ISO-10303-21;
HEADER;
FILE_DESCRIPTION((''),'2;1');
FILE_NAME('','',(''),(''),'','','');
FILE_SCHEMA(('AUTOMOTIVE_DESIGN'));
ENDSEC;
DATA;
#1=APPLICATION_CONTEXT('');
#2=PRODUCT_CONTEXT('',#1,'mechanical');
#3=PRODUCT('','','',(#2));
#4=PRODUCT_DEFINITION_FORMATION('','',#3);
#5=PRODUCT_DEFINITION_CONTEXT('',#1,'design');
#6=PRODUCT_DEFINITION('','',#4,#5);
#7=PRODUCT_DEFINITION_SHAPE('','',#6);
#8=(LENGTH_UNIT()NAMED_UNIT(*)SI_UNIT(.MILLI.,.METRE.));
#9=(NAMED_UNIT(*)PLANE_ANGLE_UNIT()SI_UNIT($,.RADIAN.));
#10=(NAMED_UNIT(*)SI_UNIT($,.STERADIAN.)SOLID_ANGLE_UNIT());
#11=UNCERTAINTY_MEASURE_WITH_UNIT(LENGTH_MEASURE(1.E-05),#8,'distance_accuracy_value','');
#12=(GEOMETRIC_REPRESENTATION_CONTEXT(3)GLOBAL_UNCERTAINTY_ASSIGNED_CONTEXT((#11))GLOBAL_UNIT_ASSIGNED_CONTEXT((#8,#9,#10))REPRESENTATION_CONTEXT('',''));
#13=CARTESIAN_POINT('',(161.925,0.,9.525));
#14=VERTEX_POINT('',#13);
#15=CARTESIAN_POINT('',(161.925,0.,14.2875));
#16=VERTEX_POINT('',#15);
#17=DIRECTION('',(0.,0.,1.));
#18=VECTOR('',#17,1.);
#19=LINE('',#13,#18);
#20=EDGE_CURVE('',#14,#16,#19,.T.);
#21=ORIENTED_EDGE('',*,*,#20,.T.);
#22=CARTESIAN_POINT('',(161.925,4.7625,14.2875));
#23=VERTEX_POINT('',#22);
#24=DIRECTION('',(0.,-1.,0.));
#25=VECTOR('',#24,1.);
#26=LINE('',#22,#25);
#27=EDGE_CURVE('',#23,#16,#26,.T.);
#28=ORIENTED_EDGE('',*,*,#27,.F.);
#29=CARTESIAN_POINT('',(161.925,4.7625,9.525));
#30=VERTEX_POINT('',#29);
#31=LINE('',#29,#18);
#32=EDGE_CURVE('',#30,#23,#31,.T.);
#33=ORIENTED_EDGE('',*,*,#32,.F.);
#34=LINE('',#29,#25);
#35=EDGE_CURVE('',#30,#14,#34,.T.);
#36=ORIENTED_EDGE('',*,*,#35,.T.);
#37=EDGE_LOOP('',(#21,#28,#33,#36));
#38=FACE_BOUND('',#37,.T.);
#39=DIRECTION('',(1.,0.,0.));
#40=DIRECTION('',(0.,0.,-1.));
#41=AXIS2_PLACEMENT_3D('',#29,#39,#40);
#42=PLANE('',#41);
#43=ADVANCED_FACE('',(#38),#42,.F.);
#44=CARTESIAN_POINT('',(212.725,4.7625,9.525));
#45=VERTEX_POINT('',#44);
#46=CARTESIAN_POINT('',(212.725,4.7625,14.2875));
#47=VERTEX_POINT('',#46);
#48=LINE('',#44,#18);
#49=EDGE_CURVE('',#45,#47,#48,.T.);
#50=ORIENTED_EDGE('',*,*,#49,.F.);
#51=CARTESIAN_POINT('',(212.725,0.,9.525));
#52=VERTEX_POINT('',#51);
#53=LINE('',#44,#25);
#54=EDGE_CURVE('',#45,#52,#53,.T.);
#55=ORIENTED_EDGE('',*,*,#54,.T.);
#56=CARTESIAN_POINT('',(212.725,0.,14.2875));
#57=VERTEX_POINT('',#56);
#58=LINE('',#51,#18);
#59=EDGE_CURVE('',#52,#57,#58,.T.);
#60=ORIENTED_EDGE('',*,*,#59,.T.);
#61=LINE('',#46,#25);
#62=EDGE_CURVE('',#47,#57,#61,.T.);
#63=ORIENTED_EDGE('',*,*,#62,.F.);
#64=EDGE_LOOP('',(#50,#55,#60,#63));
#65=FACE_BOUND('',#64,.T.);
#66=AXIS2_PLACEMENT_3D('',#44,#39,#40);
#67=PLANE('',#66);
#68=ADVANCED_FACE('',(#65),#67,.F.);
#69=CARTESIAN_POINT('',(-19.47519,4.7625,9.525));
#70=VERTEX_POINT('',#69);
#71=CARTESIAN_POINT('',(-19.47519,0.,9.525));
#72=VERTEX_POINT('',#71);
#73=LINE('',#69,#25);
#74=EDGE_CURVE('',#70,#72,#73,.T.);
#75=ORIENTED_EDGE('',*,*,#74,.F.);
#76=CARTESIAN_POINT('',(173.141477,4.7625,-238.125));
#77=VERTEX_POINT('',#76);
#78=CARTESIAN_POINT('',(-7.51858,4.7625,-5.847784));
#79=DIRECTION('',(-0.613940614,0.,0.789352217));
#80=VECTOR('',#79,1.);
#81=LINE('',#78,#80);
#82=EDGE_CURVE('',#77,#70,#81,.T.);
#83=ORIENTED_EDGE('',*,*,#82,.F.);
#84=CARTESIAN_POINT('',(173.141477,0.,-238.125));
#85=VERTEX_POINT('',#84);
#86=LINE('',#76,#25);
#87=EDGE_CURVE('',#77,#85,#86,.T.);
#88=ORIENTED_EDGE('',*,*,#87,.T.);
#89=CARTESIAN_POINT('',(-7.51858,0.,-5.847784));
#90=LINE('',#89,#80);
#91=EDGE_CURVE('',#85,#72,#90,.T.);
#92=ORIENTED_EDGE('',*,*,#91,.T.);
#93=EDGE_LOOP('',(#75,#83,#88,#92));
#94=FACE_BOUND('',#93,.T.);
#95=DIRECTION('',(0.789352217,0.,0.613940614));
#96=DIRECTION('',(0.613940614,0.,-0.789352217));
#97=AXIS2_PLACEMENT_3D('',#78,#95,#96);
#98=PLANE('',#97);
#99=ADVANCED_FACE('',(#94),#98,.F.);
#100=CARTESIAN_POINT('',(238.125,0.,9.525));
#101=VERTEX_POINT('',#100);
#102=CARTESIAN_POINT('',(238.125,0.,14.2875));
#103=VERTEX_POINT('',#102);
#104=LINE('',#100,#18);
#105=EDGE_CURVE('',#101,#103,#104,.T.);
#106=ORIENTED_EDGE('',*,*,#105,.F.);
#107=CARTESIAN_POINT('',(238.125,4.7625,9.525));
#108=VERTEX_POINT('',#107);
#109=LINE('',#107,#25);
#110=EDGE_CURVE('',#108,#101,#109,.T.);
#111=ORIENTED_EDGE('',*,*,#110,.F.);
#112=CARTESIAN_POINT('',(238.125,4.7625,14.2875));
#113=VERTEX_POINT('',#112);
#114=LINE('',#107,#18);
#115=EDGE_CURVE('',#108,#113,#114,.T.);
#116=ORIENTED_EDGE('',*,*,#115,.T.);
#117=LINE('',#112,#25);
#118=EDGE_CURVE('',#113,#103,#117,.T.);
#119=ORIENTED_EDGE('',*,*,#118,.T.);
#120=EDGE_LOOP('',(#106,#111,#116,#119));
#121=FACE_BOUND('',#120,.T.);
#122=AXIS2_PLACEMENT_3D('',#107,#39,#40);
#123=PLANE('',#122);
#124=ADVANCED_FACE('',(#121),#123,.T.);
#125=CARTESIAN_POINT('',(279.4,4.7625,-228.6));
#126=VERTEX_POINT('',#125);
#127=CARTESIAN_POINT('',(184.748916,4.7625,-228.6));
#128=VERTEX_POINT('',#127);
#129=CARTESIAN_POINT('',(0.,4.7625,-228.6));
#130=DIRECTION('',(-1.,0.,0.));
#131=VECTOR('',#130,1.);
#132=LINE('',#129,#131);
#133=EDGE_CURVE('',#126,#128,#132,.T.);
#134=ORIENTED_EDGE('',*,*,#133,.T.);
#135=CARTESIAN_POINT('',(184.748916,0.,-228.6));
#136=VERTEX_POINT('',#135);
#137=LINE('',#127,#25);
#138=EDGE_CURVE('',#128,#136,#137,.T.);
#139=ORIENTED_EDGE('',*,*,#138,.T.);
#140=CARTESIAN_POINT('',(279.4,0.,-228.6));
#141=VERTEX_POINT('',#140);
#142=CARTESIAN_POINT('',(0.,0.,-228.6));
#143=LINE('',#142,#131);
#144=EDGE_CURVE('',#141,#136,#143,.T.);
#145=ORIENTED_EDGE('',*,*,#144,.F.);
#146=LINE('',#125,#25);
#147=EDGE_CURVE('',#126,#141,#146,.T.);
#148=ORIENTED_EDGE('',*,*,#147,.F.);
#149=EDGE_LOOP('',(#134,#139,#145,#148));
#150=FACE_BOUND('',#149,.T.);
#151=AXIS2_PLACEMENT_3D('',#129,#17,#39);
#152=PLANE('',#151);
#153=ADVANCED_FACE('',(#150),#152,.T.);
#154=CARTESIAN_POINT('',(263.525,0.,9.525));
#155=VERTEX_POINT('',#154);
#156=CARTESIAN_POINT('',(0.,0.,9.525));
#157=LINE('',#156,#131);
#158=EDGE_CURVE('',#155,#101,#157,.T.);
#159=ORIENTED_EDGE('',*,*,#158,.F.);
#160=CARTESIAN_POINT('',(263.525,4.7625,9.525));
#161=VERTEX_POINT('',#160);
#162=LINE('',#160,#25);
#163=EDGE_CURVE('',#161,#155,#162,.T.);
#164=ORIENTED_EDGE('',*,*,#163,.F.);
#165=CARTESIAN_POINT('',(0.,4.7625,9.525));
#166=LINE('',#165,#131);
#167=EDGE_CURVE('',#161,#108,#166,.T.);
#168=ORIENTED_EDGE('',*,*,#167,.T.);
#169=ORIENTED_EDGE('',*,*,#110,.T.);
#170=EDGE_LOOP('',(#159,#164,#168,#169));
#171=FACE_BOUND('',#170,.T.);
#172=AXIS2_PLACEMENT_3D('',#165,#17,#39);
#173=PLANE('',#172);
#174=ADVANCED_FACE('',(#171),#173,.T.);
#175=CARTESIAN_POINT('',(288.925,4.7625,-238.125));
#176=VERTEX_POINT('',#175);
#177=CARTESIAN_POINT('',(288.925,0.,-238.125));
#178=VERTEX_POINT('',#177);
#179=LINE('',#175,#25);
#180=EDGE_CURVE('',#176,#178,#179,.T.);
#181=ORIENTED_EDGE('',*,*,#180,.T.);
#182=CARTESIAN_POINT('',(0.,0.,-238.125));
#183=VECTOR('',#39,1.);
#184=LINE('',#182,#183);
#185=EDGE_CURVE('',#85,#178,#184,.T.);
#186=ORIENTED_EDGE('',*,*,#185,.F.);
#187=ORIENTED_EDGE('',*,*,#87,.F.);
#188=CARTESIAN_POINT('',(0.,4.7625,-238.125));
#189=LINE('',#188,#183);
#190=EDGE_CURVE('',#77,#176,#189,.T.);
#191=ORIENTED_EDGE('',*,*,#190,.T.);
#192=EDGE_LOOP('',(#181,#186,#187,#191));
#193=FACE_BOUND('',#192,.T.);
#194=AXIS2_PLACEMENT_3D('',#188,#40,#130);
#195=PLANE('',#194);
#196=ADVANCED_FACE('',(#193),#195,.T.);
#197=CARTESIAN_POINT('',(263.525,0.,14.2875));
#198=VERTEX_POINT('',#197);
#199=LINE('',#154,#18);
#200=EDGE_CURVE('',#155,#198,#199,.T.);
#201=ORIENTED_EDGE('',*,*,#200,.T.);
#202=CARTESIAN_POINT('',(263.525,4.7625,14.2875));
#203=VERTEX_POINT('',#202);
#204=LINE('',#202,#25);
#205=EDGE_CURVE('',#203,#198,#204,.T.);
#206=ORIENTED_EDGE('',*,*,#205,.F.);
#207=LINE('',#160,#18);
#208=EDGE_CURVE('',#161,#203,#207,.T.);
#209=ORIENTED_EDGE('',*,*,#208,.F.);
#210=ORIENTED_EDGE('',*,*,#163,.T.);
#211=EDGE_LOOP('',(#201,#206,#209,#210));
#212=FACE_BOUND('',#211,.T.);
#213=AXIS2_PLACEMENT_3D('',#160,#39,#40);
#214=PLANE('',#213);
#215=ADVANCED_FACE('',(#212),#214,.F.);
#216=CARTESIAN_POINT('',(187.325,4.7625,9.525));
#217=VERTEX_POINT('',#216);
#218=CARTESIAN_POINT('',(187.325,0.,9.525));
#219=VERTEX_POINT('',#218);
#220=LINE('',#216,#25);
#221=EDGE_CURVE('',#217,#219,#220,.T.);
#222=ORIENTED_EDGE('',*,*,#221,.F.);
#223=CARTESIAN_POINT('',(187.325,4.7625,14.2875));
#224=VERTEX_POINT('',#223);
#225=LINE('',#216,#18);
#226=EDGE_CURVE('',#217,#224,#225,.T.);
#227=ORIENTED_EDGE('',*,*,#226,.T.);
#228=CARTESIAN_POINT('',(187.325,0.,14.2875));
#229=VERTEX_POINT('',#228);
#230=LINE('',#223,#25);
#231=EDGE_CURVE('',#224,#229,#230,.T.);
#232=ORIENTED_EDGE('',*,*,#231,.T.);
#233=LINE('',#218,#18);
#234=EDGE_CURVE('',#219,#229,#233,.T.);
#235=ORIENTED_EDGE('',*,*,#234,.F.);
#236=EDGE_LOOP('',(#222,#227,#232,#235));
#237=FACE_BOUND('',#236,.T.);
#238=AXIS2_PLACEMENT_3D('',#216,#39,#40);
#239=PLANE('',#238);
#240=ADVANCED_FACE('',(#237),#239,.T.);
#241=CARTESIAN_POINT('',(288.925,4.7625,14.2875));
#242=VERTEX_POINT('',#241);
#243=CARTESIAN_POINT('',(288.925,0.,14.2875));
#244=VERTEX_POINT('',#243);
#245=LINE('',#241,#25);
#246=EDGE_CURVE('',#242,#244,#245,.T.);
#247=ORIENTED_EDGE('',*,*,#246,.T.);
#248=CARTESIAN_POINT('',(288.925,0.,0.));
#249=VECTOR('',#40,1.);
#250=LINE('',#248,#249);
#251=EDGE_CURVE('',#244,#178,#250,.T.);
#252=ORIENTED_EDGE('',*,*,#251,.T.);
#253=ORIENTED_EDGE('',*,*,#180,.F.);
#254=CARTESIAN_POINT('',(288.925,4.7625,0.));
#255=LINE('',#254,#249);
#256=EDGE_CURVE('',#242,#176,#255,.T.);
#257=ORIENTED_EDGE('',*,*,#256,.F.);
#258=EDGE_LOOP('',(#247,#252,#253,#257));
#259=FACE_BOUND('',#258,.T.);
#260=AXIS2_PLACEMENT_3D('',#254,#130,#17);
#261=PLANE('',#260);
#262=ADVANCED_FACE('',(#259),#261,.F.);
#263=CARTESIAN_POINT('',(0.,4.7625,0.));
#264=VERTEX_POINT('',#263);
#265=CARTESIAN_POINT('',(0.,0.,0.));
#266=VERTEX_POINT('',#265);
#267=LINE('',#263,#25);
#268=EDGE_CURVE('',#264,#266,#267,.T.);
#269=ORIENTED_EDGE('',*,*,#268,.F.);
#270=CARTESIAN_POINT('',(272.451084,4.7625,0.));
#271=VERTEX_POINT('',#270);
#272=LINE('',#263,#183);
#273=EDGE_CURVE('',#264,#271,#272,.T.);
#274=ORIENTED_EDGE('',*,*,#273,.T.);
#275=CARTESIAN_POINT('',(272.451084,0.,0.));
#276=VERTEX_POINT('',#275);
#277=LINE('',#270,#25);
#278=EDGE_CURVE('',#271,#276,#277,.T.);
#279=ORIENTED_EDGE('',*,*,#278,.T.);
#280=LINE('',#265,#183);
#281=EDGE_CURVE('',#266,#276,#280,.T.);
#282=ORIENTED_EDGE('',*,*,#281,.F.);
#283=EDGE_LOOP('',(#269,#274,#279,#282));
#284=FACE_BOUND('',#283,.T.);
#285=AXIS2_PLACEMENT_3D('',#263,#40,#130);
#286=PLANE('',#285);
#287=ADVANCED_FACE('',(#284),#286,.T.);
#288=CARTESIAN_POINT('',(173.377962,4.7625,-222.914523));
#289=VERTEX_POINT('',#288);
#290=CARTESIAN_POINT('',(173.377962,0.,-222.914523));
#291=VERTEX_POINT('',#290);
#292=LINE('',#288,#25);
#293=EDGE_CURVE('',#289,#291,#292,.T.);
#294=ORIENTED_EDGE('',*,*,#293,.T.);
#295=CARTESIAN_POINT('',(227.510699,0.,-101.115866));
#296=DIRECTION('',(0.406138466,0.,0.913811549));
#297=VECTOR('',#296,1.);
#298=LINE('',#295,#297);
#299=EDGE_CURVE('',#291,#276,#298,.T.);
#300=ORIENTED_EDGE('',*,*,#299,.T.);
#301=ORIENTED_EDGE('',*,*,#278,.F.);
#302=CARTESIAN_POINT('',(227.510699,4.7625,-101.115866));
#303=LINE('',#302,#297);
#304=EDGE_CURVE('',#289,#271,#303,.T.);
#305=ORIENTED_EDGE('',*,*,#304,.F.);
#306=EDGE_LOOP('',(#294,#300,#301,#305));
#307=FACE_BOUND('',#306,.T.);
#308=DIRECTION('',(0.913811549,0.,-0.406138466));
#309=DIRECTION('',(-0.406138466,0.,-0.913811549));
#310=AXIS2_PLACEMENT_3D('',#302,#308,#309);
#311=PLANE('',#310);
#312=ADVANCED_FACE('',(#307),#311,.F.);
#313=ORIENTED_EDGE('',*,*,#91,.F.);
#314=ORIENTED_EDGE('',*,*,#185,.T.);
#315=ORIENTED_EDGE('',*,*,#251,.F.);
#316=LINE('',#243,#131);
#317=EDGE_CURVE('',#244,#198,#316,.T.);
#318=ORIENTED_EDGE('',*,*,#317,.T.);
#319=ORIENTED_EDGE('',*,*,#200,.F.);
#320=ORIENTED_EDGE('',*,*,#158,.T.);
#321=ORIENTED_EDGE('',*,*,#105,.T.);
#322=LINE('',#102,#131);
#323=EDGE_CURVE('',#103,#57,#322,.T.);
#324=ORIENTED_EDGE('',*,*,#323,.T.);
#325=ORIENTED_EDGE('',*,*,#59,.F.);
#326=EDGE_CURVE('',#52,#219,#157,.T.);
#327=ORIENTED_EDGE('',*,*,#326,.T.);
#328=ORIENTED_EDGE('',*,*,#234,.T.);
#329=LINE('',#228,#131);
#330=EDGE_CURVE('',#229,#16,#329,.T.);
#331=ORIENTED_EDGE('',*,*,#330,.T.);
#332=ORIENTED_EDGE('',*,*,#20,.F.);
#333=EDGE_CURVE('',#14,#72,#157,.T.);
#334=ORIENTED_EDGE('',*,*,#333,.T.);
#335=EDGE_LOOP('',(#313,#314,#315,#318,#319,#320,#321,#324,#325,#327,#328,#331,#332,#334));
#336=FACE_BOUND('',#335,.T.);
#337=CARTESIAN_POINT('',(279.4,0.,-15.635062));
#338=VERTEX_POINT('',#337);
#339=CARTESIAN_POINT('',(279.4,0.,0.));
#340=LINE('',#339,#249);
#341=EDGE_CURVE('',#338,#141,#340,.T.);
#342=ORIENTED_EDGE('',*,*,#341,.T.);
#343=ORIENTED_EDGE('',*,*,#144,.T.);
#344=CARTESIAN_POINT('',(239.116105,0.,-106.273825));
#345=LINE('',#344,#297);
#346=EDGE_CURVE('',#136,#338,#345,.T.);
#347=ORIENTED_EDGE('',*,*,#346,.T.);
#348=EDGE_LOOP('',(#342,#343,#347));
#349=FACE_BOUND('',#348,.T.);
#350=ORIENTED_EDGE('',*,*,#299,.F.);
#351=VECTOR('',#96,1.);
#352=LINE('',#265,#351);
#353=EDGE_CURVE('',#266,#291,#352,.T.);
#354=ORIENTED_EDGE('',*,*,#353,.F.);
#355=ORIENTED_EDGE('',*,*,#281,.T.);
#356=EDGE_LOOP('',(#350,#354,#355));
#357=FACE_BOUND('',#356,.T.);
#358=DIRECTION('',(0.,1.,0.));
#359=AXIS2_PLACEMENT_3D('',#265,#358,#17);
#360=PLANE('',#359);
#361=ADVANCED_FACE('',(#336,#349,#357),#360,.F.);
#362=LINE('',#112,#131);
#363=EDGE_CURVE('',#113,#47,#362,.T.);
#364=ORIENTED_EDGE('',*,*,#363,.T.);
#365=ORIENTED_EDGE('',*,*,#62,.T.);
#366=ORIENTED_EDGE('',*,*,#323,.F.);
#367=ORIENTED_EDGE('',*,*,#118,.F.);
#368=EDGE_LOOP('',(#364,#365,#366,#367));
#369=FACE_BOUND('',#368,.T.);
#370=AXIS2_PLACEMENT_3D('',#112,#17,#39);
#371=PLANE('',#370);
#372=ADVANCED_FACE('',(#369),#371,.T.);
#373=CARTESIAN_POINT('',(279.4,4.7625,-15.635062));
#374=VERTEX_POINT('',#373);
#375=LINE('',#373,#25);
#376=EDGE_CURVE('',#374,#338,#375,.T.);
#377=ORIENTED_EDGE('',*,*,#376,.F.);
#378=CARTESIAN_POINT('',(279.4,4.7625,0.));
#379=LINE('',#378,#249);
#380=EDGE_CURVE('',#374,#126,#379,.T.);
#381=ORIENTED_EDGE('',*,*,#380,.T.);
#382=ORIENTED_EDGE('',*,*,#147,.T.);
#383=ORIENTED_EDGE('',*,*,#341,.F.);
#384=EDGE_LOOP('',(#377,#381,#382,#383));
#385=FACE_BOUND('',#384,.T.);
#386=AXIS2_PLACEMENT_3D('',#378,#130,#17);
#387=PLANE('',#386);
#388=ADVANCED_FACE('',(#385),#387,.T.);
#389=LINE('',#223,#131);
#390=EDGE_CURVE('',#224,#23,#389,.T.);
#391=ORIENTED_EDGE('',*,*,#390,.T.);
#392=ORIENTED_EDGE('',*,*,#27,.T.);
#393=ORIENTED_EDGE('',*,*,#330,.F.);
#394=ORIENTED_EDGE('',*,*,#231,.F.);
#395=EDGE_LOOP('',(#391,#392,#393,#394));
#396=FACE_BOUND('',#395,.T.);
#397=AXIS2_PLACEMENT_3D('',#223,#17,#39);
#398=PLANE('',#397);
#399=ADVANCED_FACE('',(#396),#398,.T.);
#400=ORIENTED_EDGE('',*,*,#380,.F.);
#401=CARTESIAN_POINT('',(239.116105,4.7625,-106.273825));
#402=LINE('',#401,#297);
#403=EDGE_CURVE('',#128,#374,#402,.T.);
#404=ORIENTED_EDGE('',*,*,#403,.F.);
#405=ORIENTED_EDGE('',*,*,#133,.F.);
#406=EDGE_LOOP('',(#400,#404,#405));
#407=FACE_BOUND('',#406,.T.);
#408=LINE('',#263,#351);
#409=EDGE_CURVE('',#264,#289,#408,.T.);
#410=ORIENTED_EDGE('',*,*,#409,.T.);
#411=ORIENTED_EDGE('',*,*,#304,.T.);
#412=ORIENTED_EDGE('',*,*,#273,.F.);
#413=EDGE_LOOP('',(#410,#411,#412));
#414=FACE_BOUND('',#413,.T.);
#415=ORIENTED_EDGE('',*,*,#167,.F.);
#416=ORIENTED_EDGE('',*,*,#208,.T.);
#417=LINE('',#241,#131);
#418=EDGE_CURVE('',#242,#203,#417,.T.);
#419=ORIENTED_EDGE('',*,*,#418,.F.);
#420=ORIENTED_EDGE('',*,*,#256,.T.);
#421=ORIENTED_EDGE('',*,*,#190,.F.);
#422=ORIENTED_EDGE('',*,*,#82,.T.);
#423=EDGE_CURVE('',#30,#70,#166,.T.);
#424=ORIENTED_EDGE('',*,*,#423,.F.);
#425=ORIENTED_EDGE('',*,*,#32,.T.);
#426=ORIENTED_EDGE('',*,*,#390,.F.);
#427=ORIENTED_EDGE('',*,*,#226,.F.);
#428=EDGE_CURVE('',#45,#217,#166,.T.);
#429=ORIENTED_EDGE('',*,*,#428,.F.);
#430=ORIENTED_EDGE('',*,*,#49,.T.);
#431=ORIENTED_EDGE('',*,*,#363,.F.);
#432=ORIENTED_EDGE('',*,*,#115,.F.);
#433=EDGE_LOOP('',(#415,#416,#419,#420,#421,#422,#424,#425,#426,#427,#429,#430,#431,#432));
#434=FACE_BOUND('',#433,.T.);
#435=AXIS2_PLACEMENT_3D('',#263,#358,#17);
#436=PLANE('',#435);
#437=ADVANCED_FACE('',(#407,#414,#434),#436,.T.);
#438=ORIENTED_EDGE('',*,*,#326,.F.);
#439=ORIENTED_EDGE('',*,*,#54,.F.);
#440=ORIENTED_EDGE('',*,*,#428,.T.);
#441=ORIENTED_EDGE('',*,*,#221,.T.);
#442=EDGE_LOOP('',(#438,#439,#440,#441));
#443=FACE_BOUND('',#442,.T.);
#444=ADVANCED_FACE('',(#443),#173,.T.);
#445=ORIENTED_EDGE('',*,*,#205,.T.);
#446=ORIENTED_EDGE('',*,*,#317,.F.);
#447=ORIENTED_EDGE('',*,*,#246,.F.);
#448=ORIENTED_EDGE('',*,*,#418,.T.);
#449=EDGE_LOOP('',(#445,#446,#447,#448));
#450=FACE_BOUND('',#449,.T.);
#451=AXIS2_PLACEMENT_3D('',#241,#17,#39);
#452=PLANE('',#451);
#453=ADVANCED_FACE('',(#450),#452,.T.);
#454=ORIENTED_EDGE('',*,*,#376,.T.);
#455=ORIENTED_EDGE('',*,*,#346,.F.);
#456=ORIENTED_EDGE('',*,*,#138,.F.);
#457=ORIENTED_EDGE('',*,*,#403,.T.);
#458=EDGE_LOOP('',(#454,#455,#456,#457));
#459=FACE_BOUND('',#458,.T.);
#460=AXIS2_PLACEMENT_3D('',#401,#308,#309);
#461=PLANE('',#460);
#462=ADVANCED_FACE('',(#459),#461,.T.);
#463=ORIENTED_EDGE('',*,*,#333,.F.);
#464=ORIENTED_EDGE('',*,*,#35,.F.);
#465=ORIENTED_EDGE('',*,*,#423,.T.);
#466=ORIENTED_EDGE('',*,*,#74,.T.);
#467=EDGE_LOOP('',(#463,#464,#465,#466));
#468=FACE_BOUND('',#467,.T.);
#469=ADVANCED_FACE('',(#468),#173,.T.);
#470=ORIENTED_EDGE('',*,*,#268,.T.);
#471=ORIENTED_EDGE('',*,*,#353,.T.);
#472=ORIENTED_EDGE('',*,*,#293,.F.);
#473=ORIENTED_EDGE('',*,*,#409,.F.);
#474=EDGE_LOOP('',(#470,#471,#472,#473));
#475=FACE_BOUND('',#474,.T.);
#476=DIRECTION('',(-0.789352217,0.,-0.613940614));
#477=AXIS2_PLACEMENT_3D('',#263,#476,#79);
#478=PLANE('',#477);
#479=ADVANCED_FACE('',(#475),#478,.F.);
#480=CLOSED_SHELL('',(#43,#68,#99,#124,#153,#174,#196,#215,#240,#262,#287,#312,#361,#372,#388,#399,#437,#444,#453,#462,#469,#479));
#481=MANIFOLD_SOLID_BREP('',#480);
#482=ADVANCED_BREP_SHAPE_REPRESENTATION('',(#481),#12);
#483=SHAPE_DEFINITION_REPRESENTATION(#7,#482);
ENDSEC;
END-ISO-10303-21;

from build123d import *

# Parameters (mm, degrees)
BOSS_EXTRUDE1_DEPTH = 4.7625


with BuildPart() as part:
    # Sketch1 → Boss-Extrude1 (new body)
    with BuildSketch(Plane(origin=(0, 0, 0), x_dir=(1, 0, 0), z_dir=(0, 1, 0))):
        Polygon((-19.475189916, -9.525), (161.925, -9.525), (161.925, -14.2875), (187.325, -14.2875), (187.325, -9.525), (212.725, -9.525), (212.725, -14.2875), (238.125, -14.2875), (238.125, -9.525), (263.525, -9.525), (263.525, -14.2875), (288.925, -14.2875), (288.925, 238.125), (173.141476751, 238.125), align=None)
        Polygon((272.451083662, 0), (0, 0), (173.37796233, 222.914522996), align=None, mode=Mode.SUBTRACT)
        Polygon((184.748916338, 228.6), (279.4, 228.6), (279.4, 15.63506176), align=None, mode=Mode.SUBTRACT)
    extrude(amount=BOSS_EXTRUDE1_DEPTH)


solid = part.part
